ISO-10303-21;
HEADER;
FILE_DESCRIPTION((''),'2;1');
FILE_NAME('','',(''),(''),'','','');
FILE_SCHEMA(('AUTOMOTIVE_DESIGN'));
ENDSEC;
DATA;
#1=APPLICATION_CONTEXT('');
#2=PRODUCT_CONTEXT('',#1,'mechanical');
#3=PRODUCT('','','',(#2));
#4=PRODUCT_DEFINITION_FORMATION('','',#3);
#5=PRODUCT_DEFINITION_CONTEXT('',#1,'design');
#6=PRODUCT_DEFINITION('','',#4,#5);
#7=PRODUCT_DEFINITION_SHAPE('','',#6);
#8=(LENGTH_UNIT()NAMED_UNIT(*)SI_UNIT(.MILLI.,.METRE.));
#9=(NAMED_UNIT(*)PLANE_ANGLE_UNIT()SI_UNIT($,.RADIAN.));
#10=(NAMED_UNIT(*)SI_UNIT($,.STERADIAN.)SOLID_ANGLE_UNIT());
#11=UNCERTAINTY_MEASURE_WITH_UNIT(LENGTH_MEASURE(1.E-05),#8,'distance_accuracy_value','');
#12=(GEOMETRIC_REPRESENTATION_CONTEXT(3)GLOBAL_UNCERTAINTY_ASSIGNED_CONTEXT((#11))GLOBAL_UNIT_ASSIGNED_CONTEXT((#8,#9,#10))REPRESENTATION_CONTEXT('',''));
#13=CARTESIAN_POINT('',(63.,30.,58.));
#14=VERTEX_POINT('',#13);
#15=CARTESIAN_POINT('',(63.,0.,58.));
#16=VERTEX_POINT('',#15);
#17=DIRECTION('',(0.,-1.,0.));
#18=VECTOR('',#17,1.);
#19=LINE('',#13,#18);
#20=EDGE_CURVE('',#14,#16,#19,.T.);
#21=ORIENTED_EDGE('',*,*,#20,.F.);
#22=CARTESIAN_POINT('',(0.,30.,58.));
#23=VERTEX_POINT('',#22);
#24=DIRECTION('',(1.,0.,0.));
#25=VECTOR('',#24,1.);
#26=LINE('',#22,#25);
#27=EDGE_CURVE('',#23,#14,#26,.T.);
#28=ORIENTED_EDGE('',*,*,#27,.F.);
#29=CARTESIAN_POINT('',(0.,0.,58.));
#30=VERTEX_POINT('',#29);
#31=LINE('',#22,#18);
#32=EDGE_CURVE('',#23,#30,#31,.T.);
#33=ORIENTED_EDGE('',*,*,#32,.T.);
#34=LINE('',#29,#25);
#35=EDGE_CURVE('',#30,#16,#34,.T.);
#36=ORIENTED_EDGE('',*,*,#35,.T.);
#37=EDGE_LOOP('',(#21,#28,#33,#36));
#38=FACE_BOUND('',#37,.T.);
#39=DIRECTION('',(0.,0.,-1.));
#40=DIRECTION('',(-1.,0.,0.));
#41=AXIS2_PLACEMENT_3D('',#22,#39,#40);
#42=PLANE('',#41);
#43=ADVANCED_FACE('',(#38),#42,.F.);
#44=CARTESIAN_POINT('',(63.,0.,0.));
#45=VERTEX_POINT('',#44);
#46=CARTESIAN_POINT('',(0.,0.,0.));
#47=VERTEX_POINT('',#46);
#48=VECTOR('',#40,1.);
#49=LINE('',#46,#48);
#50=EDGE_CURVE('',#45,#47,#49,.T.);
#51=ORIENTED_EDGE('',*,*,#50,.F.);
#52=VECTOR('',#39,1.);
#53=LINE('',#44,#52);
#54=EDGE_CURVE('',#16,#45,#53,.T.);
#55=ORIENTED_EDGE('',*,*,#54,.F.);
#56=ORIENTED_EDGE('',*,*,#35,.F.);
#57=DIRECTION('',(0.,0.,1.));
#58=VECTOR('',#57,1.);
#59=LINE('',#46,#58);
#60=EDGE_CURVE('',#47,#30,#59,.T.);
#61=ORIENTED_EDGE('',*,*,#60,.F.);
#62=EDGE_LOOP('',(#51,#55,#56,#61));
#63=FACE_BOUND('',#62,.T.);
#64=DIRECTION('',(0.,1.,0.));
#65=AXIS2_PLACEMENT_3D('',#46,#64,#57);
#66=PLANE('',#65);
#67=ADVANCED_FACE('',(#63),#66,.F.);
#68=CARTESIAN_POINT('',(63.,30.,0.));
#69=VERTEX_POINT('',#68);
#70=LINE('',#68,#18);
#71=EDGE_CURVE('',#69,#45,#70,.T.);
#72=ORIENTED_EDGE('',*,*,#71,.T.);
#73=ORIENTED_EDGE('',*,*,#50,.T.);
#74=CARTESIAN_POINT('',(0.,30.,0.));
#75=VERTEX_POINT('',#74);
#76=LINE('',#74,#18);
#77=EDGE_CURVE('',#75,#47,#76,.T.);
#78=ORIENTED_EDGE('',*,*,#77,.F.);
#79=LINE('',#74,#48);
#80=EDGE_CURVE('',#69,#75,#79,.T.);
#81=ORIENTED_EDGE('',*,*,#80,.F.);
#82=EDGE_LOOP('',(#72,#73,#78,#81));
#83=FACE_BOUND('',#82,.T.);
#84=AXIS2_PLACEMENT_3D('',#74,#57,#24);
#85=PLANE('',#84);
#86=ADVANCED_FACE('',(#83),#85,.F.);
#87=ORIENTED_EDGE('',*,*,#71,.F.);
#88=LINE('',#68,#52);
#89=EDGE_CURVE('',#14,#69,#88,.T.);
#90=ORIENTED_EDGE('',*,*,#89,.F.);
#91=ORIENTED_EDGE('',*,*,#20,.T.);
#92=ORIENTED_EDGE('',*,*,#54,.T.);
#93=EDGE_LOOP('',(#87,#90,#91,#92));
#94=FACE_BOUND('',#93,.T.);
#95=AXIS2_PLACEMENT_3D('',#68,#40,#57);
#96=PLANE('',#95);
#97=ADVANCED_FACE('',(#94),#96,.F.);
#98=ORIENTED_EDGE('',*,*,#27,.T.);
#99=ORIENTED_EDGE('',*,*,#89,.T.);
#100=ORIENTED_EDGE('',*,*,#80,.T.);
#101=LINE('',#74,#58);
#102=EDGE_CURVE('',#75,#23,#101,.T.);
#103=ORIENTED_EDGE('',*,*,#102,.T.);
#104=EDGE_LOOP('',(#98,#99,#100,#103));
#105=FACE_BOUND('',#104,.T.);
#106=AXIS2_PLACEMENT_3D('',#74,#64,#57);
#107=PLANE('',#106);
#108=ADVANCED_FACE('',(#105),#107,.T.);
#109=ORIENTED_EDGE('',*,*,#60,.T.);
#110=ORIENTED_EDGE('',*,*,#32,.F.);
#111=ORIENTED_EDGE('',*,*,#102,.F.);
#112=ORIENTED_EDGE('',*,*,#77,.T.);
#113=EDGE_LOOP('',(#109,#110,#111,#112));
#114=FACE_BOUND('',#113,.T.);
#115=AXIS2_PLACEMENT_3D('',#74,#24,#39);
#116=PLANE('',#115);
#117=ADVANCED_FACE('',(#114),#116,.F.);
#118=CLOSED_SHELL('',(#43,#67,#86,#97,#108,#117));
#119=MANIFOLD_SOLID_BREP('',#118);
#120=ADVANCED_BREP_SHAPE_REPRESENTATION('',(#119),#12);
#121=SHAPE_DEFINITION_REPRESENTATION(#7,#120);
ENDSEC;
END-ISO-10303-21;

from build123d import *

# Parameters (mm, degrees)
SKETCH_1_W      = 63
SKETCH_1_H      = 58
EXTRUDE_1_DEPTH = 30


with BuildPart() as part:
    # Эскиз1 → Бобышка-Вытянуть1 (new body)
    with BuildSketch(Plane(origin=(0, 0, 0), x_dir=(1, 0, 0), z_dir=(0, 1, 0))):
        with Locations((31.5, -29)):
            Rectangle(SKETCH_1_W, SKETCH_1_H)
    extrude(amount=EXTRUDE_1_DEPTH)


solid = part.part
